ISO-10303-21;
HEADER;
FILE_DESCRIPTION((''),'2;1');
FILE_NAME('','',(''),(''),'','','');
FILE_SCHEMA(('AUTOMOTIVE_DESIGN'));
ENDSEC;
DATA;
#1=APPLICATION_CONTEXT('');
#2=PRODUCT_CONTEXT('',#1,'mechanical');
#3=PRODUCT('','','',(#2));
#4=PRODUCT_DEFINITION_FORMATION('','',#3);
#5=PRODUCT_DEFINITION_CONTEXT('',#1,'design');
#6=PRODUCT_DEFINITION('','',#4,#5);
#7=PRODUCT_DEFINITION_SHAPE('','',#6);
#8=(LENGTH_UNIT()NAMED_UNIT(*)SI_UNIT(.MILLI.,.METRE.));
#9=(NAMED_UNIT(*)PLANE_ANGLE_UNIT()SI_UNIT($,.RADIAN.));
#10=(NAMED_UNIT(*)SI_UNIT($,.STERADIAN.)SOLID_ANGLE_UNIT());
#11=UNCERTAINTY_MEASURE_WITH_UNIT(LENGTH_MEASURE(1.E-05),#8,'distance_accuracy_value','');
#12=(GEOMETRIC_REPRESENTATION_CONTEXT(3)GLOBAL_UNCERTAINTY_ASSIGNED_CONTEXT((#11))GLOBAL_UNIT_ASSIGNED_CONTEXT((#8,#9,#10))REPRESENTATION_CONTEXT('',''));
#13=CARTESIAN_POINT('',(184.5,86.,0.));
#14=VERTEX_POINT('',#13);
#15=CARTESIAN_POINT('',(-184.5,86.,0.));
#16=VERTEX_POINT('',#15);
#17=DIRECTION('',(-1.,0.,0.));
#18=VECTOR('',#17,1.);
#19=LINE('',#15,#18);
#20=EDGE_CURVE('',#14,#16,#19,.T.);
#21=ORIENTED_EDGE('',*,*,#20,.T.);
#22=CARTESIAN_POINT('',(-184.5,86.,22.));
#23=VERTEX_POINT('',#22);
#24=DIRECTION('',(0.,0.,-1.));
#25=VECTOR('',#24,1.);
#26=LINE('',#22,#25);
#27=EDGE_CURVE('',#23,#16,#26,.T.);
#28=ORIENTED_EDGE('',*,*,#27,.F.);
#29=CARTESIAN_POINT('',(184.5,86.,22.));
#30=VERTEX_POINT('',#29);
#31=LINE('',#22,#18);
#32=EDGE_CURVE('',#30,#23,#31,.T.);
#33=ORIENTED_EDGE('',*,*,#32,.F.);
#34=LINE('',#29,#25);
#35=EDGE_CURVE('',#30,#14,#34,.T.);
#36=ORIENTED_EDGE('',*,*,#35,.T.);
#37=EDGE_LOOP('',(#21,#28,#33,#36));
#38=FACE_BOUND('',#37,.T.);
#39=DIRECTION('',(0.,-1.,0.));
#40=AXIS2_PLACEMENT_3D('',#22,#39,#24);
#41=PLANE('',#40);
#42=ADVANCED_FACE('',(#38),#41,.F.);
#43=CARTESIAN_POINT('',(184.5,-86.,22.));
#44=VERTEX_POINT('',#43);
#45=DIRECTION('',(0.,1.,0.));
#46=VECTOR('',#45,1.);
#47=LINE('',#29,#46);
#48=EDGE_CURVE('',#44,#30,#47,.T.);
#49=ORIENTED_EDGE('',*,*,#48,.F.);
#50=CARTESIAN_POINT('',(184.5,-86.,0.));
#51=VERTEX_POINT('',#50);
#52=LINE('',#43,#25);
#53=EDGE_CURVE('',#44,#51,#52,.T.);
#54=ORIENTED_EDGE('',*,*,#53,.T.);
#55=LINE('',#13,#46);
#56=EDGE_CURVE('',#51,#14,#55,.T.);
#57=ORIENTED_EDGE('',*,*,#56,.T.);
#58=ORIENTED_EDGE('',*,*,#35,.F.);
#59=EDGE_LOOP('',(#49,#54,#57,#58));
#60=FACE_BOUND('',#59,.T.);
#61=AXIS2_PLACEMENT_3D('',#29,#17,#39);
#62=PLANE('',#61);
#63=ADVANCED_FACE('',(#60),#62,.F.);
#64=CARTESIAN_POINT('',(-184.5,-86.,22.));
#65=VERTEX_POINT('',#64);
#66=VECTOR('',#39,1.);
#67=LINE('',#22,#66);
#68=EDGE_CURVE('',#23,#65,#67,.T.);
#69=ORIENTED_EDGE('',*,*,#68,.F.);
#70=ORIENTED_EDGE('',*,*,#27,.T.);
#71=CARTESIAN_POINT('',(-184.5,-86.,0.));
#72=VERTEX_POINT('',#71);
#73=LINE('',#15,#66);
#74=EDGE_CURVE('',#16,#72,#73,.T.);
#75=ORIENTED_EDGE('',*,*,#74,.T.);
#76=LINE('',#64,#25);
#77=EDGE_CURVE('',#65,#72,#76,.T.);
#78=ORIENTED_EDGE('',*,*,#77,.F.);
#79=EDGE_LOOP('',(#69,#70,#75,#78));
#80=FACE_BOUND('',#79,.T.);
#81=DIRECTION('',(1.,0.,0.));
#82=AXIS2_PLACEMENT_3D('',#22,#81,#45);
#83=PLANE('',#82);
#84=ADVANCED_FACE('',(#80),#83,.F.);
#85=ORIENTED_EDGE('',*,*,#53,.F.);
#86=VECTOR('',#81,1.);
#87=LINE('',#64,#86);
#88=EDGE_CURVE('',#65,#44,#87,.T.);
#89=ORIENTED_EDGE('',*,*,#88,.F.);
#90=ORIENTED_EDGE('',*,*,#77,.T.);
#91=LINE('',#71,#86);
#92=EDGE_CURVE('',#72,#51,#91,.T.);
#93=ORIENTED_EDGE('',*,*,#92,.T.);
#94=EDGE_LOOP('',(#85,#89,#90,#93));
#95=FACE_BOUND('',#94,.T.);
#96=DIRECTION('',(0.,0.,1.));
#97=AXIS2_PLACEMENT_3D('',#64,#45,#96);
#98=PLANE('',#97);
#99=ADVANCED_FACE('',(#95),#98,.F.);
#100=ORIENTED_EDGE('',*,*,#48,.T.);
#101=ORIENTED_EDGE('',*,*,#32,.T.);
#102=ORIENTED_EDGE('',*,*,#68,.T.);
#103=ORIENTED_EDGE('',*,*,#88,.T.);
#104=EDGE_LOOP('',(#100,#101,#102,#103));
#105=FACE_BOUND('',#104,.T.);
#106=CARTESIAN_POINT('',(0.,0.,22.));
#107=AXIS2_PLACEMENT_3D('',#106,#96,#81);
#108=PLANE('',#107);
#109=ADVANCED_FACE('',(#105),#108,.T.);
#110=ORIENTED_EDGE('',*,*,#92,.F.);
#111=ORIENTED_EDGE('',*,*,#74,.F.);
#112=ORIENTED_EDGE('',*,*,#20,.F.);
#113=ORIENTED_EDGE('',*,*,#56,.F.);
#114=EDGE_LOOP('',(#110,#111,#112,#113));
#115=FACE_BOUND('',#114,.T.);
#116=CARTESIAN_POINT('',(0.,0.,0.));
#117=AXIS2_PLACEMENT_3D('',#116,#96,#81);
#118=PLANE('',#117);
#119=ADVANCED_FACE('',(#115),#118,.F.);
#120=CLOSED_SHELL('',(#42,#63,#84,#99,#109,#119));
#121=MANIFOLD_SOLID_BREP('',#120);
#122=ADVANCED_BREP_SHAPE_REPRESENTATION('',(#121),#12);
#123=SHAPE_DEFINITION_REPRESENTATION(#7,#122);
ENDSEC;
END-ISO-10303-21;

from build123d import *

# Parameters (mm, degrees)
ESQUISSE1_W        = 369
ESQUISSE1_H        = 172
BOSS_EXTRU_1_DEPTH = 22


with BuildPart() as part:
    # Esquisse1 → Boss.-Extru.1 (new body)
    with BuildSketch(Plane.XY):
        Rectangle(ESQUISSE1_W, ESQUISSE1_H)
    extrude(amount=BOSS_EXTRU_1_DEPTH)


solid = part.part
